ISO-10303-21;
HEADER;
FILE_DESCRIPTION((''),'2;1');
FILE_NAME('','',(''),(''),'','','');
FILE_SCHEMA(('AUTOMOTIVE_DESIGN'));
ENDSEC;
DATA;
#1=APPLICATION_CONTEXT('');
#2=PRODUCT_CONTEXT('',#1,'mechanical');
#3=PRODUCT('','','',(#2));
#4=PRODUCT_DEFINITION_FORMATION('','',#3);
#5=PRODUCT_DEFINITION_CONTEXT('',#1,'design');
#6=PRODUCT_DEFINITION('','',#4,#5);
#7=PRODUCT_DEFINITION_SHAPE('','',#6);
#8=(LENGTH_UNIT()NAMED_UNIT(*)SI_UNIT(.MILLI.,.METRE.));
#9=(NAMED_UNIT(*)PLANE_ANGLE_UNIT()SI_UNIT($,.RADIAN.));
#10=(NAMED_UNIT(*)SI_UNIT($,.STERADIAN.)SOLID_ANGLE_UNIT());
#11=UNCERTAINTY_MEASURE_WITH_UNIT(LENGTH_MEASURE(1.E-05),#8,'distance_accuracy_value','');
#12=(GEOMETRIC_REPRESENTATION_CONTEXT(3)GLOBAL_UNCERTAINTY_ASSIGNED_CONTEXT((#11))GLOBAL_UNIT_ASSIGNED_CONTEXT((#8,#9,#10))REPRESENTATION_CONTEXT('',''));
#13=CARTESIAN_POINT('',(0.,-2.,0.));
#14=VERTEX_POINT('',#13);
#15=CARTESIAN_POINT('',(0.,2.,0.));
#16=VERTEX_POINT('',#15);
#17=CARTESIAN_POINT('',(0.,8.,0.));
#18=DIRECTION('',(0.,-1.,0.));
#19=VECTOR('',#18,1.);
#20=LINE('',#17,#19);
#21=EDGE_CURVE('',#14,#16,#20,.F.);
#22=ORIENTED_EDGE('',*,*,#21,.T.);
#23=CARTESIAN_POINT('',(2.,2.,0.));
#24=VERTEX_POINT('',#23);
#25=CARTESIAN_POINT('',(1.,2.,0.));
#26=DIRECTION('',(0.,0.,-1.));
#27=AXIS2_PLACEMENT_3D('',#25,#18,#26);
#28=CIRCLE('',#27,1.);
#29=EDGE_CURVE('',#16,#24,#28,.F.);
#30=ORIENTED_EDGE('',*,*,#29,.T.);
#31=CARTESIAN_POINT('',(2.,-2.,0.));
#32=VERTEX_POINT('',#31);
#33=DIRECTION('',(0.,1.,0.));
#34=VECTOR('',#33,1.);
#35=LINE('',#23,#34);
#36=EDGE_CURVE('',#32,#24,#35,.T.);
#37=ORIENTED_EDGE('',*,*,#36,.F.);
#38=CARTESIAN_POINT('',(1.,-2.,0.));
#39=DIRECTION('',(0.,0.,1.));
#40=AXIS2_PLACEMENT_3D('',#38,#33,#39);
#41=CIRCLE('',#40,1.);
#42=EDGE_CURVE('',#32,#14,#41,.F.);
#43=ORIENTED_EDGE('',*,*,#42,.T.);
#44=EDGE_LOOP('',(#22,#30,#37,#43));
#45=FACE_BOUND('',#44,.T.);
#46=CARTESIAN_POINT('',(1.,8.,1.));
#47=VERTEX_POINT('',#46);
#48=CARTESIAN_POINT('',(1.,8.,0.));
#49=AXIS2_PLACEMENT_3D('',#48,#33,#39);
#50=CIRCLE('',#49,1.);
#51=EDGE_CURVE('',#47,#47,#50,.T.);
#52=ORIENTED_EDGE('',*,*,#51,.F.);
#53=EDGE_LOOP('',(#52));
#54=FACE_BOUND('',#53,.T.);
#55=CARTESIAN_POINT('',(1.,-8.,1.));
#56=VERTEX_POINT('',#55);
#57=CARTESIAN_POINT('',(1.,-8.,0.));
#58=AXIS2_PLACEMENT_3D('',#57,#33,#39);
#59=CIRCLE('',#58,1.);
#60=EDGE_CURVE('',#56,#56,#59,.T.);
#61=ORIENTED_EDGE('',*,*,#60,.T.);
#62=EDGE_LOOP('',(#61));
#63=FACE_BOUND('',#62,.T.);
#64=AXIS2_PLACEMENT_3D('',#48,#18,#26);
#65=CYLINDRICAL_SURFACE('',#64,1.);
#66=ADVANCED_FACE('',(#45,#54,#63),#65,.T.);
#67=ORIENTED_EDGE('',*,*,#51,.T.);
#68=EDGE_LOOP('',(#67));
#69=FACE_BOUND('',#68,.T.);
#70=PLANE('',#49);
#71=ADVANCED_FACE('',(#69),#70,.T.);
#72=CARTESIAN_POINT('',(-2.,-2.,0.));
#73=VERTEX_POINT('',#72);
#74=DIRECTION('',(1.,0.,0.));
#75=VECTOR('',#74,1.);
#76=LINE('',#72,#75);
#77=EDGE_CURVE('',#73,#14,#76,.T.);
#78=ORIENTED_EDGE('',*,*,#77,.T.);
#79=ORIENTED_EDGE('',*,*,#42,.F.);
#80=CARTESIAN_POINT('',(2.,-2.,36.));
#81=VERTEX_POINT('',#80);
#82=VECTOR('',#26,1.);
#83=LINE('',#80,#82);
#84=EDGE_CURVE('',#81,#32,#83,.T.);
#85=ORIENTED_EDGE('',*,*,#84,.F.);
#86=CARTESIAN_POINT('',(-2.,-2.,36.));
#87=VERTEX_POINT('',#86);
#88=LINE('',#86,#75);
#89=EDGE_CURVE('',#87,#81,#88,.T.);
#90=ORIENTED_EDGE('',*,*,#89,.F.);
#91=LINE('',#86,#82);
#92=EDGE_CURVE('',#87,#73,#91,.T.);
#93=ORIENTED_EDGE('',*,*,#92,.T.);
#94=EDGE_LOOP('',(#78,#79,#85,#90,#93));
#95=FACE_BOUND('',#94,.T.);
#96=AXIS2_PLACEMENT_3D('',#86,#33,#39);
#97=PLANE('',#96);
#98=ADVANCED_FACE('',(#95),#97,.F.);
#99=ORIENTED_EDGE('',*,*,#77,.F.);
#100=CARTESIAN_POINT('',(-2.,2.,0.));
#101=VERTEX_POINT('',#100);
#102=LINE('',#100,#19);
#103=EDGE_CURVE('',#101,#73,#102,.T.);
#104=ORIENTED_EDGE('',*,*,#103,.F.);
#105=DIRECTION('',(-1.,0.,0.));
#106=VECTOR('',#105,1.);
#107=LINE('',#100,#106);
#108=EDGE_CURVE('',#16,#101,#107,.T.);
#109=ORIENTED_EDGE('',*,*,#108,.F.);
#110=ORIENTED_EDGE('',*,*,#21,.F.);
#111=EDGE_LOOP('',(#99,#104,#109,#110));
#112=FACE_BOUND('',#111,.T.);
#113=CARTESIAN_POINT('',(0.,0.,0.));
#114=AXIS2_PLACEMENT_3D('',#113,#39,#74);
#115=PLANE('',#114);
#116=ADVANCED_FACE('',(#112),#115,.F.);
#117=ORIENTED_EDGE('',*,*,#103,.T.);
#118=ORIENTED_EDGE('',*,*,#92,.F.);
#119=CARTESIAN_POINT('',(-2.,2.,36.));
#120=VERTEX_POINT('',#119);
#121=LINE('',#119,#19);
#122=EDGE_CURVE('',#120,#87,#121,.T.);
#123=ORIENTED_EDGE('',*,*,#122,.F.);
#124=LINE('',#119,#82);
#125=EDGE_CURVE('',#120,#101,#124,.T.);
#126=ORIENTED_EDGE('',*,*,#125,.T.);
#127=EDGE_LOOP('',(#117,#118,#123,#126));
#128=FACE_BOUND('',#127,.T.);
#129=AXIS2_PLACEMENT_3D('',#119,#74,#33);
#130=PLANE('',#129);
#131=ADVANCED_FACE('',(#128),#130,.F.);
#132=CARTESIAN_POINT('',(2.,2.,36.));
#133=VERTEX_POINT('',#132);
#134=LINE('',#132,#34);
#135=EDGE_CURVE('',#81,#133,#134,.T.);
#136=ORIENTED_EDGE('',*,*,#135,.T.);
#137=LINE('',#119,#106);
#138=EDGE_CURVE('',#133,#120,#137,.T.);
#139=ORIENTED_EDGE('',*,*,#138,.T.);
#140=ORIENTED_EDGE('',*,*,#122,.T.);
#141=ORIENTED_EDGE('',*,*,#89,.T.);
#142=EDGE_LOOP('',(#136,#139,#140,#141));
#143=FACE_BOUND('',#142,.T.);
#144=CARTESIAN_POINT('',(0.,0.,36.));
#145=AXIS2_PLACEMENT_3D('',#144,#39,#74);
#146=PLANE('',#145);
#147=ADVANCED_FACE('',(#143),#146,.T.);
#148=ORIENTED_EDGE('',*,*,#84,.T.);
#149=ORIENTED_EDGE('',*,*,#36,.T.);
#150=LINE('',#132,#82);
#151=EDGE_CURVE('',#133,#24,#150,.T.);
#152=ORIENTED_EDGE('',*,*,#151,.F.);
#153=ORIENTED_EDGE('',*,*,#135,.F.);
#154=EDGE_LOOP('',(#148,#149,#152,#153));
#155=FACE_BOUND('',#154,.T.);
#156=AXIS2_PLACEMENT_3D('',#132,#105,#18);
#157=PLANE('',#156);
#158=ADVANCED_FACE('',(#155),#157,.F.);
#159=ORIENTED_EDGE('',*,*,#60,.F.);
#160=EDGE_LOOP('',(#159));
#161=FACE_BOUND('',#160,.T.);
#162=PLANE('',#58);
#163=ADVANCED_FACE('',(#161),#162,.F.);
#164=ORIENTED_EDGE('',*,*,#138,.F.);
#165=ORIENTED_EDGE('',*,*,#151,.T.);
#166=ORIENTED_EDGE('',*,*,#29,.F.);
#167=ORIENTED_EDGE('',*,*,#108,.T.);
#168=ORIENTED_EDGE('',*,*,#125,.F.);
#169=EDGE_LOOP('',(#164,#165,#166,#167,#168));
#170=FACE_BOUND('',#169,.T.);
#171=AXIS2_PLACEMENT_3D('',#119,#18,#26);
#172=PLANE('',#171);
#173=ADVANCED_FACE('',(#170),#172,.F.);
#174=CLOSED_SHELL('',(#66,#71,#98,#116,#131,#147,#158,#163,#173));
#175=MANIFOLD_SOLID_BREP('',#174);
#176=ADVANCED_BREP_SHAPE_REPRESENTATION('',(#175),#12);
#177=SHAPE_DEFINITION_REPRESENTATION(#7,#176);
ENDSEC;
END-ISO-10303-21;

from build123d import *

# Parameters (mm, degrees)
SKETCH_1_W      = 4
SKETCH_1_H      = 4
EXTRUDE_1_DEPTH = 36
SKETCH_3_R      = 1
EXTRUDE_2_DEPTH = 8


with BuildPart() as part:
    # 草图1 → 凸台-拉伸1 (new body)
    with BuildSketch(Plane.XY):
        Rectangle(SKETCH_1_W, SKETCH_1_H)
    extrude(amount=EXTRUDE_1_DEPTH)

    # 草图3 → 凸台-拉伸2 (add, symmetric)
    with BuildSketch(Plane(origin=(0, 0, 0), x_dir=(1, 0, 0), z_dir=(0, 1, 0))):
        with Locations((1, 0)):
            Circle(SKETCH_3_R)
    extrude(amount=EXTRUDE_2_DEPTH, both=True)


solid = part.part
